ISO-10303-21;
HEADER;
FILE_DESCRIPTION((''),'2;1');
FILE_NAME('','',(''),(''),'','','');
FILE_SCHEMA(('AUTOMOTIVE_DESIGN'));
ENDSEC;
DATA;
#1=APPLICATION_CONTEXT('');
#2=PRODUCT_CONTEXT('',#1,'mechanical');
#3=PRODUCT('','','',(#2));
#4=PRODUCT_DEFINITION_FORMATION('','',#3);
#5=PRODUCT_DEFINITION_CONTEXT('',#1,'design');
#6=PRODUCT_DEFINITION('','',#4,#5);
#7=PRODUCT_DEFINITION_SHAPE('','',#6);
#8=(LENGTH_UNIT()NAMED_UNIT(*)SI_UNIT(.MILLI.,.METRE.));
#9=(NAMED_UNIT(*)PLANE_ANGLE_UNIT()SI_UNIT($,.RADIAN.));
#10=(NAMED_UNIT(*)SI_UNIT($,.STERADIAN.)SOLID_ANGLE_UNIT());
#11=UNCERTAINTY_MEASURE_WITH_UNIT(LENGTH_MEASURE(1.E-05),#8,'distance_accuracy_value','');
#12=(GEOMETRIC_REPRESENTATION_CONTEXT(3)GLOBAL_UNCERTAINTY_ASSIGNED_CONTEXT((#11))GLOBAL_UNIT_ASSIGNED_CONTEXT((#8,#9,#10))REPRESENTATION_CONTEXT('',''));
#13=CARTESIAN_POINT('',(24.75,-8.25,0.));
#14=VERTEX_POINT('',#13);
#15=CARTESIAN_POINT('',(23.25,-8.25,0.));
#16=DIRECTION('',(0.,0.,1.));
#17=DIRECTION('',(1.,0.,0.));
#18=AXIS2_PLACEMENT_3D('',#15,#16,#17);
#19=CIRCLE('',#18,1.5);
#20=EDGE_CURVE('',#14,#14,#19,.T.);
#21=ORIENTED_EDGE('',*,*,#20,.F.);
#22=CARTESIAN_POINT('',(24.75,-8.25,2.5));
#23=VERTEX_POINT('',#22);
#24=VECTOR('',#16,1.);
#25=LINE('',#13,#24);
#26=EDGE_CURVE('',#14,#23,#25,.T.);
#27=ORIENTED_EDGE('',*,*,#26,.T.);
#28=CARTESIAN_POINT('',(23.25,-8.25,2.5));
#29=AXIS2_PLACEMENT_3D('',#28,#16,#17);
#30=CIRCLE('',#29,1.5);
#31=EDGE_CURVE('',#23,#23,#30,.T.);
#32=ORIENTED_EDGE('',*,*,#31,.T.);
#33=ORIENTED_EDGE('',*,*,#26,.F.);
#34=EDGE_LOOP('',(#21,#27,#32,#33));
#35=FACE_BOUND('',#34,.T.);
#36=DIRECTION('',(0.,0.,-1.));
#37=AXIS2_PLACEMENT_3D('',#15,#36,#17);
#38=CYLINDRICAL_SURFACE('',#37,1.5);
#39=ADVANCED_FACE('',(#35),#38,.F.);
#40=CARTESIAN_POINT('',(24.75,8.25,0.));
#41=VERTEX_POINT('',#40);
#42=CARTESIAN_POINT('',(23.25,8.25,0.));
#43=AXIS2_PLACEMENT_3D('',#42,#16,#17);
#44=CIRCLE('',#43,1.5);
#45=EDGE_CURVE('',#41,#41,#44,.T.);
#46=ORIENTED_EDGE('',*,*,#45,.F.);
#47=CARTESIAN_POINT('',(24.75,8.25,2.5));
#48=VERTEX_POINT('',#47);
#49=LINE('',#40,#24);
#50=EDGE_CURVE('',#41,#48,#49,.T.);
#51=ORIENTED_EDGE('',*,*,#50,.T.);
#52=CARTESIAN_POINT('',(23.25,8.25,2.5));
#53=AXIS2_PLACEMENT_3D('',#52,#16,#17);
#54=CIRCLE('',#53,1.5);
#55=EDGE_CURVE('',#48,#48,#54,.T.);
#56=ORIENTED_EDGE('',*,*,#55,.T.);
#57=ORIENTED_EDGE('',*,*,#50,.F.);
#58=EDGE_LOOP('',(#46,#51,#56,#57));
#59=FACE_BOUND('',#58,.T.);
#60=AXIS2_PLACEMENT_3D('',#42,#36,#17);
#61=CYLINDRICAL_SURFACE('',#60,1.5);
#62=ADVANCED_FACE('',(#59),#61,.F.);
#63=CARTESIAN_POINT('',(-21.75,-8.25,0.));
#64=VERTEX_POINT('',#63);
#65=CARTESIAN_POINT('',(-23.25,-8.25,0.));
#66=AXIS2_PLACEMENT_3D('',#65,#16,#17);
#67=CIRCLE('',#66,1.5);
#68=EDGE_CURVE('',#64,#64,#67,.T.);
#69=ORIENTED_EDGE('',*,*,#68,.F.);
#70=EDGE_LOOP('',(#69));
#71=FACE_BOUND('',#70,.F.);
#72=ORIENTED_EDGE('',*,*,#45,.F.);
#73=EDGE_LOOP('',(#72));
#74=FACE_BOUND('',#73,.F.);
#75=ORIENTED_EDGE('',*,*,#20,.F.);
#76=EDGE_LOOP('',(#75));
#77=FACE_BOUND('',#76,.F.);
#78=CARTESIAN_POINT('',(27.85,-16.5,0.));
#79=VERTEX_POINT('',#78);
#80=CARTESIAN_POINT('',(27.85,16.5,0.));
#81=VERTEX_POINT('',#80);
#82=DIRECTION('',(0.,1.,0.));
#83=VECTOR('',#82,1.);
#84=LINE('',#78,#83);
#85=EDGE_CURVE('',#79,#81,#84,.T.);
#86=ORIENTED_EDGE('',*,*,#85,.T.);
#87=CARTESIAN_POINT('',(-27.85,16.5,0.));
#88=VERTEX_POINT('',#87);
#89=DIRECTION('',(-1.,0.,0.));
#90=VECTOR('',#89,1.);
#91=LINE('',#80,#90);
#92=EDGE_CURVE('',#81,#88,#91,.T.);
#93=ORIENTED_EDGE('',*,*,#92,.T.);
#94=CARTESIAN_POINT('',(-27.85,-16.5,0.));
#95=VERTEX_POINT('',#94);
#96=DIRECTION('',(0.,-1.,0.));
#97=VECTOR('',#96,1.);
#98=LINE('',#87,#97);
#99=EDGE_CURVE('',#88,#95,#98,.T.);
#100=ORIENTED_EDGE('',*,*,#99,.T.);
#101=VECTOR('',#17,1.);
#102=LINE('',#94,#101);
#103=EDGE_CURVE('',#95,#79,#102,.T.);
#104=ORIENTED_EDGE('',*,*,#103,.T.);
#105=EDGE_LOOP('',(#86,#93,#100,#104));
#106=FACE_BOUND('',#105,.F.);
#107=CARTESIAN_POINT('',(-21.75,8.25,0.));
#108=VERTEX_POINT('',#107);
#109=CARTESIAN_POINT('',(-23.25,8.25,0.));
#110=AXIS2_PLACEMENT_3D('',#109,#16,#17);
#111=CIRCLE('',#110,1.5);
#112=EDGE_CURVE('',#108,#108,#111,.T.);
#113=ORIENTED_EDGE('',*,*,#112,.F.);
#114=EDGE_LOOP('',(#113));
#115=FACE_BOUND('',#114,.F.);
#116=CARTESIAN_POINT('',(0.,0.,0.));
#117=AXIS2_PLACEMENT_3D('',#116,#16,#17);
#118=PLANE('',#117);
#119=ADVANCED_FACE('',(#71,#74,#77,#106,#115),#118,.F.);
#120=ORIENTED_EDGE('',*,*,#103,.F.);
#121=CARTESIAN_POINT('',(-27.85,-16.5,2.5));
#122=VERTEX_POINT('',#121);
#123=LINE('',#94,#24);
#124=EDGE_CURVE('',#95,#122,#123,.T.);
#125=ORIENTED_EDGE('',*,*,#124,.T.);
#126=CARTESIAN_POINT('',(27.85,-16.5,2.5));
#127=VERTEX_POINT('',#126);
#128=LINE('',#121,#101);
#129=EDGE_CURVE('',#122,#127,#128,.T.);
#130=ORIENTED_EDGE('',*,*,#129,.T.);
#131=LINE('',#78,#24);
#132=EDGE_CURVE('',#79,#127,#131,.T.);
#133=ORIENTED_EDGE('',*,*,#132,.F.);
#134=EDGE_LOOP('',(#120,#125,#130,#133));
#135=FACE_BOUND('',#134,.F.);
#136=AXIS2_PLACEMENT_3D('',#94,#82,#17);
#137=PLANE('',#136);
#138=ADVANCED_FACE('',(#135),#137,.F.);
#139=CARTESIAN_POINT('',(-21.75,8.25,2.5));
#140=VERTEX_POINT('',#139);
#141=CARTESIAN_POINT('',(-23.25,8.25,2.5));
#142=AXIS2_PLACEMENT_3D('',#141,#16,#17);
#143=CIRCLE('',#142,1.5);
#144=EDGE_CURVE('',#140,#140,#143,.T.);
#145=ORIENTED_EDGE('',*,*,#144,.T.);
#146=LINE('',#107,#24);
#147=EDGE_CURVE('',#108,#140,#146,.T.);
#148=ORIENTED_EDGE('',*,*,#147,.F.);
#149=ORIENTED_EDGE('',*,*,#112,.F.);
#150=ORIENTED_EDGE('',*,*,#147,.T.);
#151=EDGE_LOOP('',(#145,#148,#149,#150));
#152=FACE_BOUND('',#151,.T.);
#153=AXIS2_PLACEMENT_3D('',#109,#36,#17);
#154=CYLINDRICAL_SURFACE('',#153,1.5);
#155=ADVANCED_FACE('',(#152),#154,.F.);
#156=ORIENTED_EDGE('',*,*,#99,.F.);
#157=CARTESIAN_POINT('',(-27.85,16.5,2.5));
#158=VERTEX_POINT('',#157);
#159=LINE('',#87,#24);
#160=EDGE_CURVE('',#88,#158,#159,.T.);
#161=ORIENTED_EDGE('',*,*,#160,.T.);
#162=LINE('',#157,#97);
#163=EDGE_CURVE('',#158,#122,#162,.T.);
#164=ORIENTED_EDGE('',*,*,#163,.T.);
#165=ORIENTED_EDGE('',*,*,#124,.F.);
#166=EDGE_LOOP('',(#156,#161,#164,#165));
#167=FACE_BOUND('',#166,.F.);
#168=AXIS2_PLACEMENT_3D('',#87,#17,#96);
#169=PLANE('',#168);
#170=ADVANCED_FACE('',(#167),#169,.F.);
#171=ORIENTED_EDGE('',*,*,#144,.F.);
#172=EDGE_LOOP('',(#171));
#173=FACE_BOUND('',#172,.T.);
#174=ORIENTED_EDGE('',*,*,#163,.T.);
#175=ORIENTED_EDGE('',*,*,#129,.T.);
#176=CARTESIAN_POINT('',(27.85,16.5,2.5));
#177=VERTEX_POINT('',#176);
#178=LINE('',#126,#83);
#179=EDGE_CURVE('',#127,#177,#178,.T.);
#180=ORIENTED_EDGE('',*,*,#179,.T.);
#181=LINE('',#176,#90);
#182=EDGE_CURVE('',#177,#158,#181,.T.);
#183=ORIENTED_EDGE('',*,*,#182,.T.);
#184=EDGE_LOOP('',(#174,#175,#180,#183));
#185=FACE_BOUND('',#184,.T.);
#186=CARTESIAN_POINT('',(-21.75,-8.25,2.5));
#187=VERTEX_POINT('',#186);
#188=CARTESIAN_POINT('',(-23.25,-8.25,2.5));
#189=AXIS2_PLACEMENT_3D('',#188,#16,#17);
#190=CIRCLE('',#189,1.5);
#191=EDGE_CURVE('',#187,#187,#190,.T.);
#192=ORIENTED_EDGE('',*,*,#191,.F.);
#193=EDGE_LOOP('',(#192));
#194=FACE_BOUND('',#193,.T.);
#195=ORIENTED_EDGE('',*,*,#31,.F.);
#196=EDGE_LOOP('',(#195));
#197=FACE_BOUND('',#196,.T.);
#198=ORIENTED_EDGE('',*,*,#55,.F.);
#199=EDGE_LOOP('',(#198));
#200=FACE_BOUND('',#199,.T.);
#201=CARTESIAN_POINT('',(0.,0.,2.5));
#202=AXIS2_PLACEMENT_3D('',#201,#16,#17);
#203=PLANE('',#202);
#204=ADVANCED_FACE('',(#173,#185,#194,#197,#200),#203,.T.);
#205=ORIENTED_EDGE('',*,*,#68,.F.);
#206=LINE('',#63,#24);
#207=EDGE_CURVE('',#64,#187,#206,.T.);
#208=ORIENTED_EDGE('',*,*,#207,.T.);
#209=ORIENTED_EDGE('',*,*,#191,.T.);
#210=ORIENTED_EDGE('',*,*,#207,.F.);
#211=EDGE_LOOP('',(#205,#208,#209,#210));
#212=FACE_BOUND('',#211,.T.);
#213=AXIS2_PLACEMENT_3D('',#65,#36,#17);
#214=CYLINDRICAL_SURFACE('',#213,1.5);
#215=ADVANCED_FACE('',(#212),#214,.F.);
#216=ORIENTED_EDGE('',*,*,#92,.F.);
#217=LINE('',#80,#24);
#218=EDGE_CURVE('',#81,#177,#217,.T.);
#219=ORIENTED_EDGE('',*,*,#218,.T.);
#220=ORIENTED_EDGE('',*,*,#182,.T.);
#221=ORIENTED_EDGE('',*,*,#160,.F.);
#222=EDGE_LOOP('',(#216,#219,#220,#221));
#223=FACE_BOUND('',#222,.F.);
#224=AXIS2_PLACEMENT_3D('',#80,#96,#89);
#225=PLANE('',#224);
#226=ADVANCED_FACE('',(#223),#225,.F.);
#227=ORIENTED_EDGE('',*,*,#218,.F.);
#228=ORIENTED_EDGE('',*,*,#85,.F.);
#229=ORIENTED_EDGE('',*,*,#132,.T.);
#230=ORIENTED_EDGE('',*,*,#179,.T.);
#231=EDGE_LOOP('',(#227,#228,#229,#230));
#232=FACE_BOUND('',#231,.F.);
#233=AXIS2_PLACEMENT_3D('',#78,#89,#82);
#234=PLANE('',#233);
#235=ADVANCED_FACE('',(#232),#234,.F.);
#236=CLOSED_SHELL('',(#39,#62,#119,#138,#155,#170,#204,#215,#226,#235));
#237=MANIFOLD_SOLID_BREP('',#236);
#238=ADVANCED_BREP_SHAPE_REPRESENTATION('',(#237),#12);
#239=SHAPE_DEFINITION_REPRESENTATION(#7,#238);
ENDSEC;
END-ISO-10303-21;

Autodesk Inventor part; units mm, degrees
ref_plane "YZ Plane" through (0, 0, 0) normal (1, 0, 0) x (0, 1, 0)
ref_plane "XZ Plane" through (0, 0, 0) normal (0, 1, 0) x (-1, 0, 0)
ref_plane "XY Plane" through (0, 0, 0) normal (0, 0, 1) x (1, 0, 0)
sketch "Skizze1" plane through (0, 0, 0) normal (0, 0, 1) x (1, 0, 0)
  line L0 (-38.99, 0) -> (38.99, 0) construction
  line L1 (0, -23.1) -> (0, 23.1) construction
  line L2 (-27.85, -16.5) -> (27.85, -16.5)
  line L3 (27.85, -16.5) -> (27.85, 16.5)
  line L4 (27.85, 16.5) -> (-27.85, 16.5)
  line L5 (-27.85, 16.5) -> (-27.85, -16.5)
  line L6 (-27.85, -16.5) -> (27.85, 16.5) construction
  line L7 (27.85, -16.5) -> (-27.85, 16.5) construction
  line L8 (-26.75, -16.5) -> (26.75, -16.5) construction
  line L9 (26.75, -16.5) -> (26.75, 16.5) construction
  line L10 (26.75, 16.5) -> (-26.75, 16.5) construction
  line L11 (-26.75, 16.5) -> (-26.75, -16.5) construction
  line L12 (-26.75, -16.5) -> (26.75, 16.5) construction
  line L13 (26.75, -16.5) -> (-26.75, 16.5) construction
  circle A0 centre (-23.25, -8.25) radius 1.5
  circle A1 centre (23.25, -8.25) radius 1.5
  circle A2 centre (-23.25, 8.25) radius 1.5
  circle A3 centre (23.25, 8.25) radius 1.5
  point P0 (0, 0)
  dimension "d0" = 55.7
  dimension "d1" = 33
  dimension "d4" = 53.5
  dimension "d5" = 3
  dimension "d9" = 8.25
  dimension "d10" = 23.25
extrude "Extrusion1" add sketch "Skizze1" along normal blind 2.5
properties part number "LC_mirror_holder_back"
